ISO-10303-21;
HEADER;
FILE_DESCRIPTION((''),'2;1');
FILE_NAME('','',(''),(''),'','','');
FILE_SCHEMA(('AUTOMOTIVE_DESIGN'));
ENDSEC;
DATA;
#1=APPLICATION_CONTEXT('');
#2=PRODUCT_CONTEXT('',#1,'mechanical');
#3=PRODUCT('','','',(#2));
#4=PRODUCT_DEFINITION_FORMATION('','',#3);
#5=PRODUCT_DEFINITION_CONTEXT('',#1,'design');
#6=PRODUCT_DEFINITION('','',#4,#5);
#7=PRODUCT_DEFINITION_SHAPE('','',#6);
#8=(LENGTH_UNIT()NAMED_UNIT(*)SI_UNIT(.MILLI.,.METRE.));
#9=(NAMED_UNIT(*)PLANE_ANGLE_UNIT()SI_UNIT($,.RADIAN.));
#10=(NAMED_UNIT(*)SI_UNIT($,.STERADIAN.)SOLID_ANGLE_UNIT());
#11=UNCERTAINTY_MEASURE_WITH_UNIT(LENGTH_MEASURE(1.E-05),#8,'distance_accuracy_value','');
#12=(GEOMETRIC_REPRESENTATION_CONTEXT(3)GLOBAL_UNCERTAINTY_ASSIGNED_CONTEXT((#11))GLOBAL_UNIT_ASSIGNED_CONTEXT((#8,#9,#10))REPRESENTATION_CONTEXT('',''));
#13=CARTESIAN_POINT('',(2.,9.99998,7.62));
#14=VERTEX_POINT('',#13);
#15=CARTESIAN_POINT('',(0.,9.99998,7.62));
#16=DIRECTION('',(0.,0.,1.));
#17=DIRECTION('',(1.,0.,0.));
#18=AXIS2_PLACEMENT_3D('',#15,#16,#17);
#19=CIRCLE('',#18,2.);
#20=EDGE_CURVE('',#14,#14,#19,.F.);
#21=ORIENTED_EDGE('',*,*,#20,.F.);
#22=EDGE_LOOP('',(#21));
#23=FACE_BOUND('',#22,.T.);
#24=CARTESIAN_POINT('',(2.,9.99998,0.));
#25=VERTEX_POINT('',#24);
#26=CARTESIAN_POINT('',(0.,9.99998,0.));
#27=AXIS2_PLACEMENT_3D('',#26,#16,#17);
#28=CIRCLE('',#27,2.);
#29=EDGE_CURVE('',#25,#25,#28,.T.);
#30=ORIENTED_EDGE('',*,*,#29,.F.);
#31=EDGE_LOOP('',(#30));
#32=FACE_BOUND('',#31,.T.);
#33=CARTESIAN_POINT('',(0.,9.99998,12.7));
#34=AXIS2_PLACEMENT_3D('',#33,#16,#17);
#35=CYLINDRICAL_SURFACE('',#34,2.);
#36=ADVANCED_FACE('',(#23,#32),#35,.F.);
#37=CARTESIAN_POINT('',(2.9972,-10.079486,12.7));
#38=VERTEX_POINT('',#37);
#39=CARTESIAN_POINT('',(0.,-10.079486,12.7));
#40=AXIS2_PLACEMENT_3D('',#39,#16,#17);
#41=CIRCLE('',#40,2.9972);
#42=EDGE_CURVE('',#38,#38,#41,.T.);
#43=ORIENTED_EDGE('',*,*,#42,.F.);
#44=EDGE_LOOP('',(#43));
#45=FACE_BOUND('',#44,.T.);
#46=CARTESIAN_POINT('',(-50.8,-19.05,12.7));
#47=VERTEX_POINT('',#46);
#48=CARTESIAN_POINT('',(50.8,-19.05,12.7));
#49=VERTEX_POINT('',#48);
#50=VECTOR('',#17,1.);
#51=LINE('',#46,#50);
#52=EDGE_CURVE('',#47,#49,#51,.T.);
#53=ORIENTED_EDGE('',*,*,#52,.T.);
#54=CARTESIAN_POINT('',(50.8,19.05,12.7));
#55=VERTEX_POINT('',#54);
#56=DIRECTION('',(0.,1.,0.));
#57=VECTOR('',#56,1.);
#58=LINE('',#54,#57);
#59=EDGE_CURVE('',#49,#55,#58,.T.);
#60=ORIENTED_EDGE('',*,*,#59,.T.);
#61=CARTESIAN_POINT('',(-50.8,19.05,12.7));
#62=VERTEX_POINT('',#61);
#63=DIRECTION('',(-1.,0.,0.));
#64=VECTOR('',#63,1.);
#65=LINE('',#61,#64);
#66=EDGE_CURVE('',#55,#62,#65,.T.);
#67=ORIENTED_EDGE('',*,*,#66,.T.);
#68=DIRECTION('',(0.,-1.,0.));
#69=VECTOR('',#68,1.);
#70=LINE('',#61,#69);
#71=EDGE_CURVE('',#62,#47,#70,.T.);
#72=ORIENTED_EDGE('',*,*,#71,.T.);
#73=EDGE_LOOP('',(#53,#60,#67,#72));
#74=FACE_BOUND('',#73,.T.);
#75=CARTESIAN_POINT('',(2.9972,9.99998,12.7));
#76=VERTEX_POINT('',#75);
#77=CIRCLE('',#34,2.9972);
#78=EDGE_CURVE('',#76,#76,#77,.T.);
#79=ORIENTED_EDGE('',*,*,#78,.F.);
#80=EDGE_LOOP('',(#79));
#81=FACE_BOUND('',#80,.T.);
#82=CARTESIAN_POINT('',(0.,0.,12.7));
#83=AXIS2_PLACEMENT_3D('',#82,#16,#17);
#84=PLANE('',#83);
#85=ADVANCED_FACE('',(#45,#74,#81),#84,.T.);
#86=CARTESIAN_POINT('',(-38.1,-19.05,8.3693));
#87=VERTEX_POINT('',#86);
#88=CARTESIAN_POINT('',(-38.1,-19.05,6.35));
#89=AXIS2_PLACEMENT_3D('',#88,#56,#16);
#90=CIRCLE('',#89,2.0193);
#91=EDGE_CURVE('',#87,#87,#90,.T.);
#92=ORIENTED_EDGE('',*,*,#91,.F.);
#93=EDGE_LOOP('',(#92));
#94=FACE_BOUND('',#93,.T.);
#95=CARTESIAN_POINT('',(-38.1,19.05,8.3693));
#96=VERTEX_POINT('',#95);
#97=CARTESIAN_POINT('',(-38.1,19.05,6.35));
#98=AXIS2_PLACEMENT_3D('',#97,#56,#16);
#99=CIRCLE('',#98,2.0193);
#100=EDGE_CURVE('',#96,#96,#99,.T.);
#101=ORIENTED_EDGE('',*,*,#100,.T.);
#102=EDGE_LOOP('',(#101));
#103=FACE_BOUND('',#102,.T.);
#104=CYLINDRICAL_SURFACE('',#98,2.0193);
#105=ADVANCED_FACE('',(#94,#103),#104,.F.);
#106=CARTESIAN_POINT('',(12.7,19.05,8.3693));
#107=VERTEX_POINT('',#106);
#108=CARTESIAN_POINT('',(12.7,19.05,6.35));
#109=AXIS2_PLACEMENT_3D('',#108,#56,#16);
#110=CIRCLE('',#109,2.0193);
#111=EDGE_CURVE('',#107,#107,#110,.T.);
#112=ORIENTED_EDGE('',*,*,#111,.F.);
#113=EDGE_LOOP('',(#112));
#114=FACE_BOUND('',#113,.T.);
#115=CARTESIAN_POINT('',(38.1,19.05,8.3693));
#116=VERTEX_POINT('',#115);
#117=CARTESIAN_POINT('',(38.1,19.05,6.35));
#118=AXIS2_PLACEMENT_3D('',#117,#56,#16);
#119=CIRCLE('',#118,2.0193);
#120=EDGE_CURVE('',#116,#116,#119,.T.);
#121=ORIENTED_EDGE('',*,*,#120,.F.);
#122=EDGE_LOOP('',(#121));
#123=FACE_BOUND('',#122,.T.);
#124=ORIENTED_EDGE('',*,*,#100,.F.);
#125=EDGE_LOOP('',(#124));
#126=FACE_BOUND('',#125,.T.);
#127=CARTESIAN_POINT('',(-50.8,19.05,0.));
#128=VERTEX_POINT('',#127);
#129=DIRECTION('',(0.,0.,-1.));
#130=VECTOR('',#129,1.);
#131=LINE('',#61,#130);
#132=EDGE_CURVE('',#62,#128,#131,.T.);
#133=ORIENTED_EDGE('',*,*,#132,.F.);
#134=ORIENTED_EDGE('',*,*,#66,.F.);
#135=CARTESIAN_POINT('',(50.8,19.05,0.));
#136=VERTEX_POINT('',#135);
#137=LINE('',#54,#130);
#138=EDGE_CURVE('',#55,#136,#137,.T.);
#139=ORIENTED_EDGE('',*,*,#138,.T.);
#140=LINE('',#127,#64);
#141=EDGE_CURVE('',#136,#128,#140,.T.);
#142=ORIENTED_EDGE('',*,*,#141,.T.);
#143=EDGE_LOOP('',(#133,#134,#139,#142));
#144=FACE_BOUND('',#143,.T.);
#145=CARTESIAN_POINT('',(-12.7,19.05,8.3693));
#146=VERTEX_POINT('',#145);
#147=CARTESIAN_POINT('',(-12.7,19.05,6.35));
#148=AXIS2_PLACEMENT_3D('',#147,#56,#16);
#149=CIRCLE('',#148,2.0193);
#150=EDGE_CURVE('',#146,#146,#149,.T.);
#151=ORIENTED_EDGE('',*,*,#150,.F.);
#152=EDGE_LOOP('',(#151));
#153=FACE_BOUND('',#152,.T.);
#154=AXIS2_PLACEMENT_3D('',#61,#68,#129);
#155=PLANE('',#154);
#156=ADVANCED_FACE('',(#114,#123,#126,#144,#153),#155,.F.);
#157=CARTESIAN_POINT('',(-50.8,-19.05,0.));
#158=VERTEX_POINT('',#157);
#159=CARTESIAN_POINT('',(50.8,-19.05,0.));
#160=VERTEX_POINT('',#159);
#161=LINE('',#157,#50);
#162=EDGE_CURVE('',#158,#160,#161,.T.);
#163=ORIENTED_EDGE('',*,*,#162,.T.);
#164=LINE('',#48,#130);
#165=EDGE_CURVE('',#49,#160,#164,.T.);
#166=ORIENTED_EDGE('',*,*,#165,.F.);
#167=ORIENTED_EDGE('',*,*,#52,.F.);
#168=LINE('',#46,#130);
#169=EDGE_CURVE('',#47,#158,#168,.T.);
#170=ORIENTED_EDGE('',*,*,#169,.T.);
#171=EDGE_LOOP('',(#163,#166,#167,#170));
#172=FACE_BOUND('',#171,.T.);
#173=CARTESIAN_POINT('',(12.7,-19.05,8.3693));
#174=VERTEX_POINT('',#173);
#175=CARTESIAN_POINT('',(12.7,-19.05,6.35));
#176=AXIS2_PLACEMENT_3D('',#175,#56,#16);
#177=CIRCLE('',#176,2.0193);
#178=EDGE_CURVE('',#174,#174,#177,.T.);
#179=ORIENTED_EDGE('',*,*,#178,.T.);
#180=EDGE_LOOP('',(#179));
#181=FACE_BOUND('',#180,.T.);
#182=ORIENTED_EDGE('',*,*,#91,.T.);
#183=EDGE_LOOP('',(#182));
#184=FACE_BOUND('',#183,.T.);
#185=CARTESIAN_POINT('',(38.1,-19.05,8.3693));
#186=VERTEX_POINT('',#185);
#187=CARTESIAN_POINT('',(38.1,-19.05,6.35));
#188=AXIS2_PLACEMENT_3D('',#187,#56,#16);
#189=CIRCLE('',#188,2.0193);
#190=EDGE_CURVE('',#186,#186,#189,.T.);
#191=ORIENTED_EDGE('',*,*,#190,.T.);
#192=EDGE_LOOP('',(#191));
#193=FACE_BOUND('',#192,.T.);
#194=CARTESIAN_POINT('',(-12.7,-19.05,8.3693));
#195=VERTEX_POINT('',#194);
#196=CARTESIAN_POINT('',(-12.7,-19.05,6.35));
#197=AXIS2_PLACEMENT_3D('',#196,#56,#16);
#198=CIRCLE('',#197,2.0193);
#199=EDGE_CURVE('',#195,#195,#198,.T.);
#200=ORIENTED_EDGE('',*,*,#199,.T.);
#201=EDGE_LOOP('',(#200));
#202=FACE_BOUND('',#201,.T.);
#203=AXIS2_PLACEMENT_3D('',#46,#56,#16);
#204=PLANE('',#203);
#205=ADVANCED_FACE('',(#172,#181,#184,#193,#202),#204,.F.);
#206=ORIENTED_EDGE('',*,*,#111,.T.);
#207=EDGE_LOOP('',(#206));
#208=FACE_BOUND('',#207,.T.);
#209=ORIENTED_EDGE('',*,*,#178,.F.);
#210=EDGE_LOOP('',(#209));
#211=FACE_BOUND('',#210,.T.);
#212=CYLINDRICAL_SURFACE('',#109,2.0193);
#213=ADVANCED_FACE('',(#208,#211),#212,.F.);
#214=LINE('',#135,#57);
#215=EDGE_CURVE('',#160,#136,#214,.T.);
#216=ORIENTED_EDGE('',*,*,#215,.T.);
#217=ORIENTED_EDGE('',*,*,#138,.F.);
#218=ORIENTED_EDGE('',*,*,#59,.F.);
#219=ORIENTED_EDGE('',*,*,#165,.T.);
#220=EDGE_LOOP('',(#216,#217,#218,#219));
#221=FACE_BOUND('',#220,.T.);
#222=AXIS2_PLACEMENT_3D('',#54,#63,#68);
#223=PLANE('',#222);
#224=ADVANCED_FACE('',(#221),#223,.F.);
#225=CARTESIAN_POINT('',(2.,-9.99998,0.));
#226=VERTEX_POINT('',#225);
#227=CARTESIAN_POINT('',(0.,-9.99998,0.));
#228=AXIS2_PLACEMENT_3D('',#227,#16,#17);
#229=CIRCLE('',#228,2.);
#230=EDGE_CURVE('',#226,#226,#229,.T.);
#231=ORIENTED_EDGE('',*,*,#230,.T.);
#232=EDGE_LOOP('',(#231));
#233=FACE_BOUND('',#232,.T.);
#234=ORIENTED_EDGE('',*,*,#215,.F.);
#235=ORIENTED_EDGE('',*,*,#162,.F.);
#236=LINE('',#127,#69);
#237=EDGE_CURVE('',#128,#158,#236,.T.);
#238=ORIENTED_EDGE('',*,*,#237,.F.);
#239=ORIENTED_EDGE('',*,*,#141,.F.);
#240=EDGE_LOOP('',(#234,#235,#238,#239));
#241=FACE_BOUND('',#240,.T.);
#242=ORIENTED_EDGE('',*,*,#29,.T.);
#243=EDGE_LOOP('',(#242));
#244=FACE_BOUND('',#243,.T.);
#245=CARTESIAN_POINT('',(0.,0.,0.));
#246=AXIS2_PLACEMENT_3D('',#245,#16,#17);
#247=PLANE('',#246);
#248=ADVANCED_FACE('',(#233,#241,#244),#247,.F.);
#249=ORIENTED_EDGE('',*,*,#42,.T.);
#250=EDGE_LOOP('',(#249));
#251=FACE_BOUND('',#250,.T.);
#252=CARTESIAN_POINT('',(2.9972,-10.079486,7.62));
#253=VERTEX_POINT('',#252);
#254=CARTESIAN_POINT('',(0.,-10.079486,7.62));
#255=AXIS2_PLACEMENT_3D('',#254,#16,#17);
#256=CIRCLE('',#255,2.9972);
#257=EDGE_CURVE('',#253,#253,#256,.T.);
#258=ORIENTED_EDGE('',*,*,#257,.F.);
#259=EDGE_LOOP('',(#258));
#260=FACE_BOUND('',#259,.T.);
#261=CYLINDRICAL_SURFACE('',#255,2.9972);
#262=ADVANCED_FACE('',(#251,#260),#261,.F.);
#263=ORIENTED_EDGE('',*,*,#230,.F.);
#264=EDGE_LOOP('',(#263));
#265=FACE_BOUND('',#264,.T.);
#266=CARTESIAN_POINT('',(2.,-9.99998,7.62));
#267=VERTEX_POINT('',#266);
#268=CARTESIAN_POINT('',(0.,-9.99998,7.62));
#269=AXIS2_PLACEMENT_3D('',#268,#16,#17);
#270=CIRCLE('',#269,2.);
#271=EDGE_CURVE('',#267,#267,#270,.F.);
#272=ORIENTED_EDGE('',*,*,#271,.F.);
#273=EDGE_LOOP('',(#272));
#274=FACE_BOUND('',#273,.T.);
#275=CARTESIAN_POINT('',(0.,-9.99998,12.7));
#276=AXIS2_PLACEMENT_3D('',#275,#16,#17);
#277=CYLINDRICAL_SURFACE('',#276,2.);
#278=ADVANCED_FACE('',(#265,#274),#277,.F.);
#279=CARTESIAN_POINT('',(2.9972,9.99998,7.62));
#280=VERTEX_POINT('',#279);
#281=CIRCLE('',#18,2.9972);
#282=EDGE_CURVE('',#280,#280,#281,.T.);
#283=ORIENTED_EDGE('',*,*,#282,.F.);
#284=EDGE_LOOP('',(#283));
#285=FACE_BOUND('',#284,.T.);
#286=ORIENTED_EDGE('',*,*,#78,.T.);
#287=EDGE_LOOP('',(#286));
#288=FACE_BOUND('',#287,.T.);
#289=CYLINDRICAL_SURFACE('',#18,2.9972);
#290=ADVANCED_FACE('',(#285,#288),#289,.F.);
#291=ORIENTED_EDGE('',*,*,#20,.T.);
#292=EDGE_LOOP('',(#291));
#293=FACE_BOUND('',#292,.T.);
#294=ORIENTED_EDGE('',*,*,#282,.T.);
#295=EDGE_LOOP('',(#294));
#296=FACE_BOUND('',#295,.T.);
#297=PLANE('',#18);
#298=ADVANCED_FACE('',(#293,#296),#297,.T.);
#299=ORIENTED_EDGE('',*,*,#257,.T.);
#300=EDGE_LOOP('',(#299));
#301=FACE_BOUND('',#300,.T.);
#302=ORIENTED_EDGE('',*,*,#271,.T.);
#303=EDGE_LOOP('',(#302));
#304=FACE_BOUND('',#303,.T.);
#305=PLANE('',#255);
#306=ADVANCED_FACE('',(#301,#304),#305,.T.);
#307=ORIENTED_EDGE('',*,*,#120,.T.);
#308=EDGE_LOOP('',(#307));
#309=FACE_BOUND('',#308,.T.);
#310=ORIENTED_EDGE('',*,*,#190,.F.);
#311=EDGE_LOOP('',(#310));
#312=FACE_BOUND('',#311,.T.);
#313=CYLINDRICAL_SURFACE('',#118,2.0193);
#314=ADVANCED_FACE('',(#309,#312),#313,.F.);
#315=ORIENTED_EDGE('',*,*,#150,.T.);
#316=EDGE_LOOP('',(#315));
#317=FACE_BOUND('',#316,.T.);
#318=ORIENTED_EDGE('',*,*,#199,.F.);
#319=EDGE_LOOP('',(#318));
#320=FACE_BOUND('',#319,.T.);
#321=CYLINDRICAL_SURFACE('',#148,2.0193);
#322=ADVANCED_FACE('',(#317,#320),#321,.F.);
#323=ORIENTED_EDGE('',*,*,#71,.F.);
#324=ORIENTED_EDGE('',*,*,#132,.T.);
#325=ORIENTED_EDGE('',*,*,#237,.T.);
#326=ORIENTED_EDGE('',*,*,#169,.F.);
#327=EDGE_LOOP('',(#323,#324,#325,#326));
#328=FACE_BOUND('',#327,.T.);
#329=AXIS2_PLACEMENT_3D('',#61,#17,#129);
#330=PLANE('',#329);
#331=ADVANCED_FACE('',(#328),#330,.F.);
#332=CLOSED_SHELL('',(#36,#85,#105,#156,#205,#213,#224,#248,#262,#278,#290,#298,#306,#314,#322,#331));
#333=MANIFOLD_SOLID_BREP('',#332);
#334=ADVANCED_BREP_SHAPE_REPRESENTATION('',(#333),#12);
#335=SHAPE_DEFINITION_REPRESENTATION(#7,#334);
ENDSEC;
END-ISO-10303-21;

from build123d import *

# Parameters (mm, degrees)
SKETCH1_W              = 101.6
SKETCH1_H              = 38.1
BOSS_EXTRUDE1_DEPTH    = 12.7
F_4_0MM_DOWEL_HOLE1_D  = 4
SKETCH7_R              = 2.9972
CUT_EXTRUDE1_DEPTH     = 5.08
F_10_32_TAPPED_HOLE1_D = 4.0386


with BuildPart() as part:
    # Sketch1 → Boss-Extrude1 (new body)
    with BuildSketch(Plane.XY):
        Rectangle(SKETCH1_W, SKETCH1_H)
    extrude(amount=BOSS_EXTRUDE1_DEPTH)

    # Ø4.0mm Dowel Hole1 (through all)
    with Locations(Plane.XY.offset(12.7)):
        with Locations((0, 9.99998), (0, -9.99998)):
            Hole(F_4_0MM_DOWEL_HOLE1_D / 2)

    # Sketch7 → Cut-Extrude1 (cut)
    with BuildSketch(Plane.XY.offset(12.7)):
        with Locations((0, -10.079486129)):
            Circle(SKETCH7_R)
        with Locations((0, 9.99998)):
            Circle(SKETCH7_R)
    extrude(amount=-CUT_EXTRUDE1_DEPTH, mode=Mode.SUBTRACT)

    # #10-32 Tapped Hole1 (through all)
    with Locations(Plane(origin=(0, 19.05, 0), x_dir=(1, 0, 0), z_dir=(0, 1, 0))):
        with Locations((38.1, -6.35), (12.7, -6.35), (-12.7, -6.35), (-38.1, -6.35)):
            Hole(F_10_32_TAPPED_HOLE1_D / 2)


solid = part.part
